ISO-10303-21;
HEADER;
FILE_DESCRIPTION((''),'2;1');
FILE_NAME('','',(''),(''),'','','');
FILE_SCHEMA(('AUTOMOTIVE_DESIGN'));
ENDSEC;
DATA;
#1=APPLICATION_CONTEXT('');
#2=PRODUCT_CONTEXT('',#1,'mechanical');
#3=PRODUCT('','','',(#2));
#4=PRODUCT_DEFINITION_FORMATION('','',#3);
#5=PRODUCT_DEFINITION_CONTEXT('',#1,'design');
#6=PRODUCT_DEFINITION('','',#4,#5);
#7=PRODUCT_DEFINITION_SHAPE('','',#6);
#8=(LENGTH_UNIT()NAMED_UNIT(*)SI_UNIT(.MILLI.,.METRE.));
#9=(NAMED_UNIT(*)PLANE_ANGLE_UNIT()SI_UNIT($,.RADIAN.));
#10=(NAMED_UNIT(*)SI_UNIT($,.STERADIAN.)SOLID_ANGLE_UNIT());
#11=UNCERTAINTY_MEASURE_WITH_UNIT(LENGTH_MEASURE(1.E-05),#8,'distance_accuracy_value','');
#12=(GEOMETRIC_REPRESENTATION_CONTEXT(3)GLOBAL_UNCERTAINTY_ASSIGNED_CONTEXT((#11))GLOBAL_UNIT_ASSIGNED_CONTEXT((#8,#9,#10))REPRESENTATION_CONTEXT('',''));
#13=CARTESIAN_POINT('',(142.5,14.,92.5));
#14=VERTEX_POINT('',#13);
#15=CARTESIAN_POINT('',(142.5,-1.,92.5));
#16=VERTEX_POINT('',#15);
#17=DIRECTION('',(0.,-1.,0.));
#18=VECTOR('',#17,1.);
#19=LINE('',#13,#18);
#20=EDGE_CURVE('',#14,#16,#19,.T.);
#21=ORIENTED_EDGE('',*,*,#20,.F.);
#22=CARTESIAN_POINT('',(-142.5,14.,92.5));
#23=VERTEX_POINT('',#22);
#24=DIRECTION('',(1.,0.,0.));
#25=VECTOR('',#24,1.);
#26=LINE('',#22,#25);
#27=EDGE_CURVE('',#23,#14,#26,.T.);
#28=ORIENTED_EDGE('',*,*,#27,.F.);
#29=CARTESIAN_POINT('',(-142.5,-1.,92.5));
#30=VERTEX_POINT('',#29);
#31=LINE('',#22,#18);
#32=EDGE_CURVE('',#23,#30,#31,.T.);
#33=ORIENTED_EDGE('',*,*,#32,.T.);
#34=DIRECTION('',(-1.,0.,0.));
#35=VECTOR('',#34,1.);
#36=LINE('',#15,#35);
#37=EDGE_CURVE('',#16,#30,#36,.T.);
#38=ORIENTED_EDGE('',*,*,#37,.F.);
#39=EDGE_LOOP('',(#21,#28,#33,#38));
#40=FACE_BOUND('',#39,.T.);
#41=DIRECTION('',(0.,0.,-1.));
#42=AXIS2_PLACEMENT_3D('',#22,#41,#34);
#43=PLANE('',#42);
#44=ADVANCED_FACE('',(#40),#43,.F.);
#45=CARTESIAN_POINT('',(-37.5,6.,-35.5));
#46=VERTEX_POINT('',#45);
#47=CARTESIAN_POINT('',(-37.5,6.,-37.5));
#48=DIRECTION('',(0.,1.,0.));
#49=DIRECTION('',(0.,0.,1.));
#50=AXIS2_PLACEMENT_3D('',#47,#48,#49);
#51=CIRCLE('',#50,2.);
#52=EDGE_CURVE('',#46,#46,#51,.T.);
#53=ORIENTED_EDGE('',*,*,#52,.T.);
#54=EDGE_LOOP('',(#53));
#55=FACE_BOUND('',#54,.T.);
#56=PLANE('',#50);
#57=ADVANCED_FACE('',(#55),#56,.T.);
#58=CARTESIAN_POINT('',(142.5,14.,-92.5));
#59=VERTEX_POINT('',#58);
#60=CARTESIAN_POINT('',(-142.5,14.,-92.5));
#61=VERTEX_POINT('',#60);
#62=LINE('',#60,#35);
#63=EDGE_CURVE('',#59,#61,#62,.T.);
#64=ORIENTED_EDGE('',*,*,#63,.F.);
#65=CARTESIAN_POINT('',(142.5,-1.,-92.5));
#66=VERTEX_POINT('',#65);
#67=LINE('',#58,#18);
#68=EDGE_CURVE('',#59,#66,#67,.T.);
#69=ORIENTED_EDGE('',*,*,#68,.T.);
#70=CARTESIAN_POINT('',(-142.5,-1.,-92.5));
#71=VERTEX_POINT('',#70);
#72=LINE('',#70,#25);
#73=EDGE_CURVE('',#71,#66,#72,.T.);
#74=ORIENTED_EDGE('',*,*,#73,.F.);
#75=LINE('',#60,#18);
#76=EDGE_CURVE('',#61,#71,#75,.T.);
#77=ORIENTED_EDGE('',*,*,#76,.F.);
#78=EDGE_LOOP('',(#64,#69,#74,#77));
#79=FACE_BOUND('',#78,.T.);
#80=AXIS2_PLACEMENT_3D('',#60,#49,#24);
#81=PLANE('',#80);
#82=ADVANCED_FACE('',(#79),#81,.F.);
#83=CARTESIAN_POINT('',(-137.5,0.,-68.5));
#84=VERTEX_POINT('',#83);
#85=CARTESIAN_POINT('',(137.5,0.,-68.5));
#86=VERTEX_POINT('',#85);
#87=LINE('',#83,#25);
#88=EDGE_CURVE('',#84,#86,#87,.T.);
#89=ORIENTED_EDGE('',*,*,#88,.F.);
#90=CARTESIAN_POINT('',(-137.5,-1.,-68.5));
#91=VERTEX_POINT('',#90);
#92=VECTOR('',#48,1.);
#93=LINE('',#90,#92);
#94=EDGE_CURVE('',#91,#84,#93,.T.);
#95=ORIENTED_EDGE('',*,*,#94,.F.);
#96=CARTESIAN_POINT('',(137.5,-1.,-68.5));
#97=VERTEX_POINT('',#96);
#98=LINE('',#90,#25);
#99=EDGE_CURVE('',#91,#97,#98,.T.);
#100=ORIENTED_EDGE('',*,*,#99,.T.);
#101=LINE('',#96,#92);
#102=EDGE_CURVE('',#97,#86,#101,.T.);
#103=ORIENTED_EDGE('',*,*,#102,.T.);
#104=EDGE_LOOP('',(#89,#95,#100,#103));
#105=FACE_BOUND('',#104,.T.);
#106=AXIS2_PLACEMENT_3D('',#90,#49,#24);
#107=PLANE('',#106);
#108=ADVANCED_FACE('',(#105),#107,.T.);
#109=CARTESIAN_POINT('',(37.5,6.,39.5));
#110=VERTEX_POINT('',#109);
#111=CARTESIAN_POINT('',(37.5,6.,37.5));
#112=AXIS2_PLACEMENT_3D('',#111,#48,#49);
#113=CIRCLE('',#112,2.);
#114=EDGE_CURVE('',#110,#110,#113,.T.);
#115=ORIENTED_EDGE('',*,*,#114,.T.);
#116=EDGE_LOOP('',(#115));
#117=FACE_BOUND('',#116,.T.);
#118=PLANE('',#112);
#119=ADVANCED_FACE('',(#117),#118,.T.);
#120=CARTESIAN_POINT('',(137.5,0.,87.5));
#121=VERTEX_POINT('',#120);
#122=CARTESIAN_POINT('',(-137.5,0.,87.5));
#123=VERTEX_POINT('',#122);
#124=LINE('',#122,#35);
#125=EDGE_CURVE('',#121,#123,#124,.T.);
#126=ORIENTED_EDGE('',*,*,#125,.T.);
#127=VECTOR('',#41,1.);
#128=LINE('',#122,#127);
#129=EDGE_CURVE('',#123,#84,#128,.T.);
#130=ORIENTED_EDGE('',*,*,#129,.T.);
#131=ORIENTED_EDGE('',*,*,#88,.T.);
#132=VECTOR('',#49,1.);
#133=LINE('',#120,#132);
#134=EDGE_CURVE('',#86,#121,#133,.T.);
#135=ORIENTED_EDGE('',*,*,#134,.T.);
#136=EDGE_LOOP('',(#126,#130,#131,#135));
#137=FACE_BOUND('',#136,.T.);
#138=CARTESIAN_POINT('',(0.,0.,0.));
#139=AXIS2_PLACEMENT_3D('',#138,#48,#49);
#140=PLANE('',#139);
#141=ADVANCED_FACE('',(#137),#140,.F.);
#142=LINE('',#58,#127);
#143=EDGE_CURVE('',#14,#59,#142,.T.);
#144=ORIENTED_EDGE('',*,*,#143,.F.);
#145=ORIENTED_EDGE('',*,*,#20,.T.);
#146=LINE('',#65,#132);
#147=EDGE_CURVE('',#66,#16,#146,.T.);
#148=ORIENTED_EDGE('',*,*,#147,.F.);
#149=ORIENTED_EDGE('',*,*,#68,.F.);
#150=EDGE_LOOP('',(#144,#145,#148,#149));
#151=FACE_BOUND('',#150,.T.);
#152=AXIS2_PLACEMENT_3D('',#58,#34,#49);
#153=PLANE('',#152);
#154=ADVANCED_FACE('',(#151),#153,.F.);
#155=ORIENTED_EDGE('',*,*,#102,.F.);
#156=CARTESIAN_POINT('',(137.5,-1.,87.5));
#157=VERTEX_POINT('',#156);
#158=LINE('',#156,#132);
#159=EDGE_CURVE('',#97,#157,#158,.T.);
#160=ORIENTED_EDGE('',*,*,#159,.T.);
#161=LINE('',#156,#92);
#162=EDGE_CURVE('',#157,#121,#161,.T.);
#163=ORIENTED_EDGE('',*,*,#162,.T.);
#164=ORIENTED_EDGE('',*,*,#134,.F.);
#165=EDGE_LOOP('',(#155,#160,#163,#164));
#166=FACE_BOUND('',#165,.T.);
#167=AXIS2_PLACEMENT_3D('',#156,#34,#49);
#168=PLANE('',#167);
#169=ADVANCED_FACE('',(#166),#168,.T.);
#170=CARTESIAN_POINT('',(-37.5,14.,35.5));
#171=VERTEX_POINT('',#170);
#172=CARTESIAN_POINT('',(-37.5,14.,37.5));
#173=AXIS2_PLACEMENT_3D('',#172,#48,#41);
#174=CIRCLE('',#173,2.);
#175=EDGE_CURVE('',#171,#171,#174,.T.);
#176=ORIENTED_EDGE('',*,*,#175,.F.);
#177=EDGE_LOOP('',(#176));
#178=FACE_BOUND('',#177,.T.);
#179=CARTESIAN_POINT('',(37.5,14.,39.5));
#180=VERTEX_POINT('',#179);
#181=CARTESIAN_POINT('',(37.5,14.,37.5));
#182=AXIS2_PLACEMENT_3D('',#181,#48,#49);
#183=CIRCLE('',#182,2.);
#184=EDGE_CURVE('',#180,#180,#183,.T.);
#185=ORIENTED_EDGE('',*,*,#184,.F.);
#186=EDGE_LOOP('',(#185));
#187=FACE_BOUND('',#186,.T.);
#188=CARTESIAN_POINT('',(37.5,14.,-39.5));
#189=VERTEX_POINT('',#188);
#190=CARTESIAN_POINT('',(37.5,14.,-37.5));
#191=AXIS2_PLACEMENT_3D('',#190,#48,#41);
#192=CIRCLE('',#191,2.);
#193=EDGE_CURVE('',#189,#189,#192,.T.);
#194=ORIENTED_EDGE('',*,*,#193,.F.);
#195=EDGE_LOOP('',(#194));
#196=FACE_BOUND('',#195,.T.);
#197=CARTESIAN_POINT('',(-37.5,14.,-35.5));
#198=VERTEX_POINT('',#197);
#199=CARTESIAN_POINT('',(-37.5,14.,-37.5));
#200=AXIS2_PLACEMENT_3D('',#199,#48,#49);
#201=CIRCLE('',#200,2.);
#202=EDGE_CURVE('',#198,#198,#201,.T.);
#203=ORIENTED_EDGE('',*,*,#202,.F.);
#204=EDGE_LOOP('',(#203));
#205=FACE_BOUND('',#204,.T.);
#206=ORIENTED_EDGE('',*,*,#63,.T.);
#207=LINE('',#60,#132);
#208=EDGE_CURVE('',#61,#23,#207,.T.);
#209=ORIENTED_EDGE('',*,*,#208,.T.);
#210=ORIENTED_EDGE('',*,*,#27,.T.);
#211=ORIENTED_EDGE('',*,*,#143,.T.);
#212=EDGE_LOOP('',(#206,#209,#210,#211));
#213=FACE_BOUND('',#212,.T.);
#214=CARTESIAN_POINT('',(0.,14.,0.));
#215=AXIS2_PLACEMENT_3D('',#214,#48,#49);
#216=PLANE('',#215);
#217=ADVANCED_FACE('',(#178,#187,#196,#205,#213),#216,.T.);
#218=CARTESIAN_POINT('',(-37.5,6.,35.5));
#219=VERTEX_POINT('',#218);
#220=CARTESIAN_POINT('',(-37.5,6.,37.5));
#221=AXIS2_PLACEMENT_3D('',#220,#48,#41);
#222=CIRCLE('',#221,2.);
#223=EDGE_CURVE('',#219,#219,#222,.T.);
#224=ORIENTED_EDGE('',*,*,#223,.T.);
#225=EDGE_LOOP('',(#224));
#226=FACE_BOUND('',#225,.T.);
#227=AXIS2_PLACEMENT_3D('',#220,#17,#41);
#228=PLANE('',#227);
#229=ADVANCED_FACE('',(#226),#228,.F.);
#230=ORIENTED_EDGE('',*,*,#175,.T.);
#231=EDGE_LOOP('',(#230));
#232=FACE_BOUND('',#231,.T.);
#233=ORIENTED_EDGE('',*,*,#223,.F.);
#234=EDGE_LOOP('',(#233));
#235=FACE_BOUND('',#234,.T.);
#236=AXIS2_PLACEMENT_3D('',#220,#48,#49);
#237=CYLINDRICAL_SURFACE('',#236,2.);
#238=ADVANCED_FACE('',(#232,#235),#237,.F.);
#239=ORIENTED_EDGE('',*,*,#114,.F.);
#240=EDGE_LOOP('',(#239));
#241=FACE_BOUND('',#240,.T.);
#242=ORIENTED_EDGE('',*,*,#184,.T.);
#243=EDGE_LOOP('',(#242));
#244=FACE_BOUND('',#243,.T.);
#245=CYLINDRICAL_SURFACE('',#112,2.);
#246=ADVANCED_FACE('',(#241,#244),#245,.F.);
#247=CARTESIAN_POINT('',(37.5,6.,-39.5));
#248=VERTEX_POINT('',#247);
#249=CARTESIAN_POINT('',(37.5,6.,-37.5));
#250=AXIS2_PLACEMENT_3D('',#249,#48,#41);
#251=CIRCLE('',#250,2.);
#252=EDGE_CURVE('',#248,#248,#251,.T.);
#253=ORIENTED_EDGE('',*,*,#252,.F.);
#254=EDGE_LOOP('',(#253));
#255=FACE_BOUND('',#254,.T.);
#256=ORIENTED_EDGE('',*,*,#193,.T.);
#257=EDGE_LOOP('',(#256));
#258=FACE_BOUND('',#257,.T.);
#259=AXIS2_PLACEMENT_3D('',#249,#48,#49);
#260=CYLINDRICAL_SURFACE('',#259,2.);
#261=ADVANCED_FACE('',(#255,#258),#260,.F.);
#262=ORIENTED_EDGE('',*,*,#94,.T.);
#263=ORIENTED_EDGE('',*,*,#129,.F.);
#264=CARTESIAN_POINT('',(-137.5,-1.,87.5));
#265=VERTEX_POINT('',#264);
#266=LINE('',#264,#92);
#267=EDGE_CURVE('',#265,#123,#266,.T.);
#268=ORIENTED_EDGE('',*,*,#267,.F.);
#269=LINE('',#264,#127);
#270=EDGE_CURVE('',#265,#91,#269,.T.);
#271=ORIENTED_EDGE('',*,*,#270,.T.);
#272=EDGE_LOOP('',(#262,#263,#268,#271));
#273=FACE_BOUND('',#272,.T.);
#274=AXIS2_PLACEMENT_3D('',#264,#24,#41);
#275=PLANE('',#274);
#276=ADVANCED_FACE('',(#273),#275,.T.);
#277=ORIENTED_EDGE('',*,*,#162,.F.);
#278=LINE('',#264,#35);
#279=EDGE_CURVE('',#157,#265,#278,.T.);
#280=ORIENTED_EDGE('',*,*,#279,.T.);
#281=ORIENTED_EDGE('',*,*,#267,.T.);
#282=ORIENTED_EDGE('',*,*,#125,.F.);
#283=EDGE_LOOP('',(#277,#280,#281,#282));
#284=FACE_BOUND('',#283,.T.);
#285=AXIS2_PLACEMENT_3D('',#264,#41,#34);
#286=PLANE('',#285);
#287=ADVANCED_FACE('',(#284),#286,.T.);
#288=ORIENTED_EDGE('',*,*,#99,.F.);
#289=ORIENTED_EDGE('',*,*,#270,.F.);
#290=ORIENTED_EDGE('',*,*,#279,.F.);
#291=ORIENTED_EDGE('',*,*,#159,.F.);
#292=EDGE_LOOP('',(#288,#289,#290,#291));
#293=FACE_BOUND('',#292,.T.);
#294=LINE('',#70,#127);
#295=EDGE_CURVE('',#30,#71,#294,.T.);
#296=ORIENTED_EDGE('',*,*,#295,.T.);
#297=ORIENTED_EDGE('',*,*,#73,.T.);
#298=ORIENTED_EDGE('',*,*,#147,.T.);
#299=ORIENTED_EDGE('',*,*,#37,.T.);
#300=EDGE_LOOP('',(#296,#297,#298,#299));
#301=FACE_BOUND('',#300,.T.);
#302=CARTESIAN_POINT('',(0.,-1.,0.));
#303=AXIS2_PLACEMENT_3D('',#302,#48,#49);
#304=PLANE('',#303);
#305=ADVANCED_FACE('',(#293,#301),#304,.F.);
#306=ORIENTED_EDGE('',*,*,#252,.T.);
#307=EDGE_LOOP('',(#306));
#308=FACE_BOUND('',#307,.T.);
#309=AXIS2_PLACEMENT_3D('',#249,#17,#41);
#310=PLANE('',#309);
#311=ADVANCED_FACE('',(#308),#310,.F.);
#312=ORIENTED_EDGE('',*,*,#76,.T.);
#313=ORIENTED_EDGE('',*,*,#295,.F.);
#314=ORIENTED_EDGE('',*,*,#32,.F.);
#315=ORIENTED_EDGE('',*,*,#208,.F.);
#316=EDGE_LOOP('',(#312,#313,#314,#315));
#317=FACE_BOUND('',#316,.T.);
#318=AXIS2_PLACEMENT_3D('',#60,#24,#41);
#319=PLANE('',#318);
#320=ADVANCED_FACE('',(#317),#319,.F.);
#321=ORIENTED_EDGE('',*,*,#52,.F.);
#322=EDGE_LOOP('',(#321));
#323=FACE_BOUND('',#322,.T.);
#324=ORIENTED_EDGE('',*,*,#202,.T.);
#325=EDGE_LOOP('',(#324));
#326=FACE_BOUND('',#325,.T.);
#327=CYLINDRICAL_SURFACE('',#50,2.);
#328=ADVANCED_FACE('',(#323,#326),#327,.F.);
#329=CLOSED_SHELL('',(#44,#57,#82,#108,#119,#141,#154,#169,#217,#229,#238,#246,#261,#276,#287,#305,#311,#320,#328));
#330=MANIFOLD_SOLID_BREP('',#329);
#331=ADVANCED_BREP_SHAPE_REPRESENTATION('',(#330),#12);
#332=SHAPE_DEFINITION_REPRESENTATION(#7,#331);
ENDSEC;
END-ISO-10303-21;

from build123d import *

# Parameters (mm, degrees)
SKETCH_1_W          = 285
SKETCH_1_H          = 185
EXTRUDE_1_DEPTH     = 14
SKETCH_2_R          = 2
CUT_EXTRUDE_1_DEPTH = 8
SKETCH_3_W          = 275
SKETCH_3_H          = 156
EXTRUDE_2_DEPTH     = 1


with BuildPart() as part:
    # 草图1 → 凸台-拉伸1 (new body)
    with BuildSketch(Plane(origin=(0, 0, 0), x_dir=(1, 0, 0), z_dir=(0, 1, 0))):
        Rectangle(SKETCH_1_W, SKETCH_1_H)
    extrude(amount=EXTRUDE_1_DEPTH)

    # 草图2 → 切除-拉伸1 (cut)
    with BuildSketch(Plane(origin=(0, 14, 0), x_dir=(1, 0, 0), z_dir=(0, 1, 0))):
        with Locations((-37.5, 37.5)):
            Circle(SKETCH_2_R)
        with Locations((37.5, 37.5)):
            Circle(SKETCH_2_R)
        with Locations((37.5, -37.5)):
            Circle(SKETCH_2_R)
        with Locations((-37.5, -37.5)):
            Circle(SKETCH_2_R)
    extrude(amount=-CUT_EXTRUDE_1_DEPTH, mode=Mode.SUBTRACT)

    # 草图3 → 凸台-拉伸2 (add)
    with BuildSketch(Plane.XZ):
        Polygon((-142.5, -92.5), (142.5, -92.5), (142.5, -68.5), (142.5, 92.5), (137.5, 92.5), (-137.5, 92.5), (-142.5, 92.5), (-142.5, -68.5), align=None)
        with Locations((0, 9.5)):
            Rectangle(SKETCH_3_W, SKETCH_3_H, mode=Mode.SUBTRACT)
    extrude(amount=EXTRUDE_2_DEPTH)


solid = part.part
